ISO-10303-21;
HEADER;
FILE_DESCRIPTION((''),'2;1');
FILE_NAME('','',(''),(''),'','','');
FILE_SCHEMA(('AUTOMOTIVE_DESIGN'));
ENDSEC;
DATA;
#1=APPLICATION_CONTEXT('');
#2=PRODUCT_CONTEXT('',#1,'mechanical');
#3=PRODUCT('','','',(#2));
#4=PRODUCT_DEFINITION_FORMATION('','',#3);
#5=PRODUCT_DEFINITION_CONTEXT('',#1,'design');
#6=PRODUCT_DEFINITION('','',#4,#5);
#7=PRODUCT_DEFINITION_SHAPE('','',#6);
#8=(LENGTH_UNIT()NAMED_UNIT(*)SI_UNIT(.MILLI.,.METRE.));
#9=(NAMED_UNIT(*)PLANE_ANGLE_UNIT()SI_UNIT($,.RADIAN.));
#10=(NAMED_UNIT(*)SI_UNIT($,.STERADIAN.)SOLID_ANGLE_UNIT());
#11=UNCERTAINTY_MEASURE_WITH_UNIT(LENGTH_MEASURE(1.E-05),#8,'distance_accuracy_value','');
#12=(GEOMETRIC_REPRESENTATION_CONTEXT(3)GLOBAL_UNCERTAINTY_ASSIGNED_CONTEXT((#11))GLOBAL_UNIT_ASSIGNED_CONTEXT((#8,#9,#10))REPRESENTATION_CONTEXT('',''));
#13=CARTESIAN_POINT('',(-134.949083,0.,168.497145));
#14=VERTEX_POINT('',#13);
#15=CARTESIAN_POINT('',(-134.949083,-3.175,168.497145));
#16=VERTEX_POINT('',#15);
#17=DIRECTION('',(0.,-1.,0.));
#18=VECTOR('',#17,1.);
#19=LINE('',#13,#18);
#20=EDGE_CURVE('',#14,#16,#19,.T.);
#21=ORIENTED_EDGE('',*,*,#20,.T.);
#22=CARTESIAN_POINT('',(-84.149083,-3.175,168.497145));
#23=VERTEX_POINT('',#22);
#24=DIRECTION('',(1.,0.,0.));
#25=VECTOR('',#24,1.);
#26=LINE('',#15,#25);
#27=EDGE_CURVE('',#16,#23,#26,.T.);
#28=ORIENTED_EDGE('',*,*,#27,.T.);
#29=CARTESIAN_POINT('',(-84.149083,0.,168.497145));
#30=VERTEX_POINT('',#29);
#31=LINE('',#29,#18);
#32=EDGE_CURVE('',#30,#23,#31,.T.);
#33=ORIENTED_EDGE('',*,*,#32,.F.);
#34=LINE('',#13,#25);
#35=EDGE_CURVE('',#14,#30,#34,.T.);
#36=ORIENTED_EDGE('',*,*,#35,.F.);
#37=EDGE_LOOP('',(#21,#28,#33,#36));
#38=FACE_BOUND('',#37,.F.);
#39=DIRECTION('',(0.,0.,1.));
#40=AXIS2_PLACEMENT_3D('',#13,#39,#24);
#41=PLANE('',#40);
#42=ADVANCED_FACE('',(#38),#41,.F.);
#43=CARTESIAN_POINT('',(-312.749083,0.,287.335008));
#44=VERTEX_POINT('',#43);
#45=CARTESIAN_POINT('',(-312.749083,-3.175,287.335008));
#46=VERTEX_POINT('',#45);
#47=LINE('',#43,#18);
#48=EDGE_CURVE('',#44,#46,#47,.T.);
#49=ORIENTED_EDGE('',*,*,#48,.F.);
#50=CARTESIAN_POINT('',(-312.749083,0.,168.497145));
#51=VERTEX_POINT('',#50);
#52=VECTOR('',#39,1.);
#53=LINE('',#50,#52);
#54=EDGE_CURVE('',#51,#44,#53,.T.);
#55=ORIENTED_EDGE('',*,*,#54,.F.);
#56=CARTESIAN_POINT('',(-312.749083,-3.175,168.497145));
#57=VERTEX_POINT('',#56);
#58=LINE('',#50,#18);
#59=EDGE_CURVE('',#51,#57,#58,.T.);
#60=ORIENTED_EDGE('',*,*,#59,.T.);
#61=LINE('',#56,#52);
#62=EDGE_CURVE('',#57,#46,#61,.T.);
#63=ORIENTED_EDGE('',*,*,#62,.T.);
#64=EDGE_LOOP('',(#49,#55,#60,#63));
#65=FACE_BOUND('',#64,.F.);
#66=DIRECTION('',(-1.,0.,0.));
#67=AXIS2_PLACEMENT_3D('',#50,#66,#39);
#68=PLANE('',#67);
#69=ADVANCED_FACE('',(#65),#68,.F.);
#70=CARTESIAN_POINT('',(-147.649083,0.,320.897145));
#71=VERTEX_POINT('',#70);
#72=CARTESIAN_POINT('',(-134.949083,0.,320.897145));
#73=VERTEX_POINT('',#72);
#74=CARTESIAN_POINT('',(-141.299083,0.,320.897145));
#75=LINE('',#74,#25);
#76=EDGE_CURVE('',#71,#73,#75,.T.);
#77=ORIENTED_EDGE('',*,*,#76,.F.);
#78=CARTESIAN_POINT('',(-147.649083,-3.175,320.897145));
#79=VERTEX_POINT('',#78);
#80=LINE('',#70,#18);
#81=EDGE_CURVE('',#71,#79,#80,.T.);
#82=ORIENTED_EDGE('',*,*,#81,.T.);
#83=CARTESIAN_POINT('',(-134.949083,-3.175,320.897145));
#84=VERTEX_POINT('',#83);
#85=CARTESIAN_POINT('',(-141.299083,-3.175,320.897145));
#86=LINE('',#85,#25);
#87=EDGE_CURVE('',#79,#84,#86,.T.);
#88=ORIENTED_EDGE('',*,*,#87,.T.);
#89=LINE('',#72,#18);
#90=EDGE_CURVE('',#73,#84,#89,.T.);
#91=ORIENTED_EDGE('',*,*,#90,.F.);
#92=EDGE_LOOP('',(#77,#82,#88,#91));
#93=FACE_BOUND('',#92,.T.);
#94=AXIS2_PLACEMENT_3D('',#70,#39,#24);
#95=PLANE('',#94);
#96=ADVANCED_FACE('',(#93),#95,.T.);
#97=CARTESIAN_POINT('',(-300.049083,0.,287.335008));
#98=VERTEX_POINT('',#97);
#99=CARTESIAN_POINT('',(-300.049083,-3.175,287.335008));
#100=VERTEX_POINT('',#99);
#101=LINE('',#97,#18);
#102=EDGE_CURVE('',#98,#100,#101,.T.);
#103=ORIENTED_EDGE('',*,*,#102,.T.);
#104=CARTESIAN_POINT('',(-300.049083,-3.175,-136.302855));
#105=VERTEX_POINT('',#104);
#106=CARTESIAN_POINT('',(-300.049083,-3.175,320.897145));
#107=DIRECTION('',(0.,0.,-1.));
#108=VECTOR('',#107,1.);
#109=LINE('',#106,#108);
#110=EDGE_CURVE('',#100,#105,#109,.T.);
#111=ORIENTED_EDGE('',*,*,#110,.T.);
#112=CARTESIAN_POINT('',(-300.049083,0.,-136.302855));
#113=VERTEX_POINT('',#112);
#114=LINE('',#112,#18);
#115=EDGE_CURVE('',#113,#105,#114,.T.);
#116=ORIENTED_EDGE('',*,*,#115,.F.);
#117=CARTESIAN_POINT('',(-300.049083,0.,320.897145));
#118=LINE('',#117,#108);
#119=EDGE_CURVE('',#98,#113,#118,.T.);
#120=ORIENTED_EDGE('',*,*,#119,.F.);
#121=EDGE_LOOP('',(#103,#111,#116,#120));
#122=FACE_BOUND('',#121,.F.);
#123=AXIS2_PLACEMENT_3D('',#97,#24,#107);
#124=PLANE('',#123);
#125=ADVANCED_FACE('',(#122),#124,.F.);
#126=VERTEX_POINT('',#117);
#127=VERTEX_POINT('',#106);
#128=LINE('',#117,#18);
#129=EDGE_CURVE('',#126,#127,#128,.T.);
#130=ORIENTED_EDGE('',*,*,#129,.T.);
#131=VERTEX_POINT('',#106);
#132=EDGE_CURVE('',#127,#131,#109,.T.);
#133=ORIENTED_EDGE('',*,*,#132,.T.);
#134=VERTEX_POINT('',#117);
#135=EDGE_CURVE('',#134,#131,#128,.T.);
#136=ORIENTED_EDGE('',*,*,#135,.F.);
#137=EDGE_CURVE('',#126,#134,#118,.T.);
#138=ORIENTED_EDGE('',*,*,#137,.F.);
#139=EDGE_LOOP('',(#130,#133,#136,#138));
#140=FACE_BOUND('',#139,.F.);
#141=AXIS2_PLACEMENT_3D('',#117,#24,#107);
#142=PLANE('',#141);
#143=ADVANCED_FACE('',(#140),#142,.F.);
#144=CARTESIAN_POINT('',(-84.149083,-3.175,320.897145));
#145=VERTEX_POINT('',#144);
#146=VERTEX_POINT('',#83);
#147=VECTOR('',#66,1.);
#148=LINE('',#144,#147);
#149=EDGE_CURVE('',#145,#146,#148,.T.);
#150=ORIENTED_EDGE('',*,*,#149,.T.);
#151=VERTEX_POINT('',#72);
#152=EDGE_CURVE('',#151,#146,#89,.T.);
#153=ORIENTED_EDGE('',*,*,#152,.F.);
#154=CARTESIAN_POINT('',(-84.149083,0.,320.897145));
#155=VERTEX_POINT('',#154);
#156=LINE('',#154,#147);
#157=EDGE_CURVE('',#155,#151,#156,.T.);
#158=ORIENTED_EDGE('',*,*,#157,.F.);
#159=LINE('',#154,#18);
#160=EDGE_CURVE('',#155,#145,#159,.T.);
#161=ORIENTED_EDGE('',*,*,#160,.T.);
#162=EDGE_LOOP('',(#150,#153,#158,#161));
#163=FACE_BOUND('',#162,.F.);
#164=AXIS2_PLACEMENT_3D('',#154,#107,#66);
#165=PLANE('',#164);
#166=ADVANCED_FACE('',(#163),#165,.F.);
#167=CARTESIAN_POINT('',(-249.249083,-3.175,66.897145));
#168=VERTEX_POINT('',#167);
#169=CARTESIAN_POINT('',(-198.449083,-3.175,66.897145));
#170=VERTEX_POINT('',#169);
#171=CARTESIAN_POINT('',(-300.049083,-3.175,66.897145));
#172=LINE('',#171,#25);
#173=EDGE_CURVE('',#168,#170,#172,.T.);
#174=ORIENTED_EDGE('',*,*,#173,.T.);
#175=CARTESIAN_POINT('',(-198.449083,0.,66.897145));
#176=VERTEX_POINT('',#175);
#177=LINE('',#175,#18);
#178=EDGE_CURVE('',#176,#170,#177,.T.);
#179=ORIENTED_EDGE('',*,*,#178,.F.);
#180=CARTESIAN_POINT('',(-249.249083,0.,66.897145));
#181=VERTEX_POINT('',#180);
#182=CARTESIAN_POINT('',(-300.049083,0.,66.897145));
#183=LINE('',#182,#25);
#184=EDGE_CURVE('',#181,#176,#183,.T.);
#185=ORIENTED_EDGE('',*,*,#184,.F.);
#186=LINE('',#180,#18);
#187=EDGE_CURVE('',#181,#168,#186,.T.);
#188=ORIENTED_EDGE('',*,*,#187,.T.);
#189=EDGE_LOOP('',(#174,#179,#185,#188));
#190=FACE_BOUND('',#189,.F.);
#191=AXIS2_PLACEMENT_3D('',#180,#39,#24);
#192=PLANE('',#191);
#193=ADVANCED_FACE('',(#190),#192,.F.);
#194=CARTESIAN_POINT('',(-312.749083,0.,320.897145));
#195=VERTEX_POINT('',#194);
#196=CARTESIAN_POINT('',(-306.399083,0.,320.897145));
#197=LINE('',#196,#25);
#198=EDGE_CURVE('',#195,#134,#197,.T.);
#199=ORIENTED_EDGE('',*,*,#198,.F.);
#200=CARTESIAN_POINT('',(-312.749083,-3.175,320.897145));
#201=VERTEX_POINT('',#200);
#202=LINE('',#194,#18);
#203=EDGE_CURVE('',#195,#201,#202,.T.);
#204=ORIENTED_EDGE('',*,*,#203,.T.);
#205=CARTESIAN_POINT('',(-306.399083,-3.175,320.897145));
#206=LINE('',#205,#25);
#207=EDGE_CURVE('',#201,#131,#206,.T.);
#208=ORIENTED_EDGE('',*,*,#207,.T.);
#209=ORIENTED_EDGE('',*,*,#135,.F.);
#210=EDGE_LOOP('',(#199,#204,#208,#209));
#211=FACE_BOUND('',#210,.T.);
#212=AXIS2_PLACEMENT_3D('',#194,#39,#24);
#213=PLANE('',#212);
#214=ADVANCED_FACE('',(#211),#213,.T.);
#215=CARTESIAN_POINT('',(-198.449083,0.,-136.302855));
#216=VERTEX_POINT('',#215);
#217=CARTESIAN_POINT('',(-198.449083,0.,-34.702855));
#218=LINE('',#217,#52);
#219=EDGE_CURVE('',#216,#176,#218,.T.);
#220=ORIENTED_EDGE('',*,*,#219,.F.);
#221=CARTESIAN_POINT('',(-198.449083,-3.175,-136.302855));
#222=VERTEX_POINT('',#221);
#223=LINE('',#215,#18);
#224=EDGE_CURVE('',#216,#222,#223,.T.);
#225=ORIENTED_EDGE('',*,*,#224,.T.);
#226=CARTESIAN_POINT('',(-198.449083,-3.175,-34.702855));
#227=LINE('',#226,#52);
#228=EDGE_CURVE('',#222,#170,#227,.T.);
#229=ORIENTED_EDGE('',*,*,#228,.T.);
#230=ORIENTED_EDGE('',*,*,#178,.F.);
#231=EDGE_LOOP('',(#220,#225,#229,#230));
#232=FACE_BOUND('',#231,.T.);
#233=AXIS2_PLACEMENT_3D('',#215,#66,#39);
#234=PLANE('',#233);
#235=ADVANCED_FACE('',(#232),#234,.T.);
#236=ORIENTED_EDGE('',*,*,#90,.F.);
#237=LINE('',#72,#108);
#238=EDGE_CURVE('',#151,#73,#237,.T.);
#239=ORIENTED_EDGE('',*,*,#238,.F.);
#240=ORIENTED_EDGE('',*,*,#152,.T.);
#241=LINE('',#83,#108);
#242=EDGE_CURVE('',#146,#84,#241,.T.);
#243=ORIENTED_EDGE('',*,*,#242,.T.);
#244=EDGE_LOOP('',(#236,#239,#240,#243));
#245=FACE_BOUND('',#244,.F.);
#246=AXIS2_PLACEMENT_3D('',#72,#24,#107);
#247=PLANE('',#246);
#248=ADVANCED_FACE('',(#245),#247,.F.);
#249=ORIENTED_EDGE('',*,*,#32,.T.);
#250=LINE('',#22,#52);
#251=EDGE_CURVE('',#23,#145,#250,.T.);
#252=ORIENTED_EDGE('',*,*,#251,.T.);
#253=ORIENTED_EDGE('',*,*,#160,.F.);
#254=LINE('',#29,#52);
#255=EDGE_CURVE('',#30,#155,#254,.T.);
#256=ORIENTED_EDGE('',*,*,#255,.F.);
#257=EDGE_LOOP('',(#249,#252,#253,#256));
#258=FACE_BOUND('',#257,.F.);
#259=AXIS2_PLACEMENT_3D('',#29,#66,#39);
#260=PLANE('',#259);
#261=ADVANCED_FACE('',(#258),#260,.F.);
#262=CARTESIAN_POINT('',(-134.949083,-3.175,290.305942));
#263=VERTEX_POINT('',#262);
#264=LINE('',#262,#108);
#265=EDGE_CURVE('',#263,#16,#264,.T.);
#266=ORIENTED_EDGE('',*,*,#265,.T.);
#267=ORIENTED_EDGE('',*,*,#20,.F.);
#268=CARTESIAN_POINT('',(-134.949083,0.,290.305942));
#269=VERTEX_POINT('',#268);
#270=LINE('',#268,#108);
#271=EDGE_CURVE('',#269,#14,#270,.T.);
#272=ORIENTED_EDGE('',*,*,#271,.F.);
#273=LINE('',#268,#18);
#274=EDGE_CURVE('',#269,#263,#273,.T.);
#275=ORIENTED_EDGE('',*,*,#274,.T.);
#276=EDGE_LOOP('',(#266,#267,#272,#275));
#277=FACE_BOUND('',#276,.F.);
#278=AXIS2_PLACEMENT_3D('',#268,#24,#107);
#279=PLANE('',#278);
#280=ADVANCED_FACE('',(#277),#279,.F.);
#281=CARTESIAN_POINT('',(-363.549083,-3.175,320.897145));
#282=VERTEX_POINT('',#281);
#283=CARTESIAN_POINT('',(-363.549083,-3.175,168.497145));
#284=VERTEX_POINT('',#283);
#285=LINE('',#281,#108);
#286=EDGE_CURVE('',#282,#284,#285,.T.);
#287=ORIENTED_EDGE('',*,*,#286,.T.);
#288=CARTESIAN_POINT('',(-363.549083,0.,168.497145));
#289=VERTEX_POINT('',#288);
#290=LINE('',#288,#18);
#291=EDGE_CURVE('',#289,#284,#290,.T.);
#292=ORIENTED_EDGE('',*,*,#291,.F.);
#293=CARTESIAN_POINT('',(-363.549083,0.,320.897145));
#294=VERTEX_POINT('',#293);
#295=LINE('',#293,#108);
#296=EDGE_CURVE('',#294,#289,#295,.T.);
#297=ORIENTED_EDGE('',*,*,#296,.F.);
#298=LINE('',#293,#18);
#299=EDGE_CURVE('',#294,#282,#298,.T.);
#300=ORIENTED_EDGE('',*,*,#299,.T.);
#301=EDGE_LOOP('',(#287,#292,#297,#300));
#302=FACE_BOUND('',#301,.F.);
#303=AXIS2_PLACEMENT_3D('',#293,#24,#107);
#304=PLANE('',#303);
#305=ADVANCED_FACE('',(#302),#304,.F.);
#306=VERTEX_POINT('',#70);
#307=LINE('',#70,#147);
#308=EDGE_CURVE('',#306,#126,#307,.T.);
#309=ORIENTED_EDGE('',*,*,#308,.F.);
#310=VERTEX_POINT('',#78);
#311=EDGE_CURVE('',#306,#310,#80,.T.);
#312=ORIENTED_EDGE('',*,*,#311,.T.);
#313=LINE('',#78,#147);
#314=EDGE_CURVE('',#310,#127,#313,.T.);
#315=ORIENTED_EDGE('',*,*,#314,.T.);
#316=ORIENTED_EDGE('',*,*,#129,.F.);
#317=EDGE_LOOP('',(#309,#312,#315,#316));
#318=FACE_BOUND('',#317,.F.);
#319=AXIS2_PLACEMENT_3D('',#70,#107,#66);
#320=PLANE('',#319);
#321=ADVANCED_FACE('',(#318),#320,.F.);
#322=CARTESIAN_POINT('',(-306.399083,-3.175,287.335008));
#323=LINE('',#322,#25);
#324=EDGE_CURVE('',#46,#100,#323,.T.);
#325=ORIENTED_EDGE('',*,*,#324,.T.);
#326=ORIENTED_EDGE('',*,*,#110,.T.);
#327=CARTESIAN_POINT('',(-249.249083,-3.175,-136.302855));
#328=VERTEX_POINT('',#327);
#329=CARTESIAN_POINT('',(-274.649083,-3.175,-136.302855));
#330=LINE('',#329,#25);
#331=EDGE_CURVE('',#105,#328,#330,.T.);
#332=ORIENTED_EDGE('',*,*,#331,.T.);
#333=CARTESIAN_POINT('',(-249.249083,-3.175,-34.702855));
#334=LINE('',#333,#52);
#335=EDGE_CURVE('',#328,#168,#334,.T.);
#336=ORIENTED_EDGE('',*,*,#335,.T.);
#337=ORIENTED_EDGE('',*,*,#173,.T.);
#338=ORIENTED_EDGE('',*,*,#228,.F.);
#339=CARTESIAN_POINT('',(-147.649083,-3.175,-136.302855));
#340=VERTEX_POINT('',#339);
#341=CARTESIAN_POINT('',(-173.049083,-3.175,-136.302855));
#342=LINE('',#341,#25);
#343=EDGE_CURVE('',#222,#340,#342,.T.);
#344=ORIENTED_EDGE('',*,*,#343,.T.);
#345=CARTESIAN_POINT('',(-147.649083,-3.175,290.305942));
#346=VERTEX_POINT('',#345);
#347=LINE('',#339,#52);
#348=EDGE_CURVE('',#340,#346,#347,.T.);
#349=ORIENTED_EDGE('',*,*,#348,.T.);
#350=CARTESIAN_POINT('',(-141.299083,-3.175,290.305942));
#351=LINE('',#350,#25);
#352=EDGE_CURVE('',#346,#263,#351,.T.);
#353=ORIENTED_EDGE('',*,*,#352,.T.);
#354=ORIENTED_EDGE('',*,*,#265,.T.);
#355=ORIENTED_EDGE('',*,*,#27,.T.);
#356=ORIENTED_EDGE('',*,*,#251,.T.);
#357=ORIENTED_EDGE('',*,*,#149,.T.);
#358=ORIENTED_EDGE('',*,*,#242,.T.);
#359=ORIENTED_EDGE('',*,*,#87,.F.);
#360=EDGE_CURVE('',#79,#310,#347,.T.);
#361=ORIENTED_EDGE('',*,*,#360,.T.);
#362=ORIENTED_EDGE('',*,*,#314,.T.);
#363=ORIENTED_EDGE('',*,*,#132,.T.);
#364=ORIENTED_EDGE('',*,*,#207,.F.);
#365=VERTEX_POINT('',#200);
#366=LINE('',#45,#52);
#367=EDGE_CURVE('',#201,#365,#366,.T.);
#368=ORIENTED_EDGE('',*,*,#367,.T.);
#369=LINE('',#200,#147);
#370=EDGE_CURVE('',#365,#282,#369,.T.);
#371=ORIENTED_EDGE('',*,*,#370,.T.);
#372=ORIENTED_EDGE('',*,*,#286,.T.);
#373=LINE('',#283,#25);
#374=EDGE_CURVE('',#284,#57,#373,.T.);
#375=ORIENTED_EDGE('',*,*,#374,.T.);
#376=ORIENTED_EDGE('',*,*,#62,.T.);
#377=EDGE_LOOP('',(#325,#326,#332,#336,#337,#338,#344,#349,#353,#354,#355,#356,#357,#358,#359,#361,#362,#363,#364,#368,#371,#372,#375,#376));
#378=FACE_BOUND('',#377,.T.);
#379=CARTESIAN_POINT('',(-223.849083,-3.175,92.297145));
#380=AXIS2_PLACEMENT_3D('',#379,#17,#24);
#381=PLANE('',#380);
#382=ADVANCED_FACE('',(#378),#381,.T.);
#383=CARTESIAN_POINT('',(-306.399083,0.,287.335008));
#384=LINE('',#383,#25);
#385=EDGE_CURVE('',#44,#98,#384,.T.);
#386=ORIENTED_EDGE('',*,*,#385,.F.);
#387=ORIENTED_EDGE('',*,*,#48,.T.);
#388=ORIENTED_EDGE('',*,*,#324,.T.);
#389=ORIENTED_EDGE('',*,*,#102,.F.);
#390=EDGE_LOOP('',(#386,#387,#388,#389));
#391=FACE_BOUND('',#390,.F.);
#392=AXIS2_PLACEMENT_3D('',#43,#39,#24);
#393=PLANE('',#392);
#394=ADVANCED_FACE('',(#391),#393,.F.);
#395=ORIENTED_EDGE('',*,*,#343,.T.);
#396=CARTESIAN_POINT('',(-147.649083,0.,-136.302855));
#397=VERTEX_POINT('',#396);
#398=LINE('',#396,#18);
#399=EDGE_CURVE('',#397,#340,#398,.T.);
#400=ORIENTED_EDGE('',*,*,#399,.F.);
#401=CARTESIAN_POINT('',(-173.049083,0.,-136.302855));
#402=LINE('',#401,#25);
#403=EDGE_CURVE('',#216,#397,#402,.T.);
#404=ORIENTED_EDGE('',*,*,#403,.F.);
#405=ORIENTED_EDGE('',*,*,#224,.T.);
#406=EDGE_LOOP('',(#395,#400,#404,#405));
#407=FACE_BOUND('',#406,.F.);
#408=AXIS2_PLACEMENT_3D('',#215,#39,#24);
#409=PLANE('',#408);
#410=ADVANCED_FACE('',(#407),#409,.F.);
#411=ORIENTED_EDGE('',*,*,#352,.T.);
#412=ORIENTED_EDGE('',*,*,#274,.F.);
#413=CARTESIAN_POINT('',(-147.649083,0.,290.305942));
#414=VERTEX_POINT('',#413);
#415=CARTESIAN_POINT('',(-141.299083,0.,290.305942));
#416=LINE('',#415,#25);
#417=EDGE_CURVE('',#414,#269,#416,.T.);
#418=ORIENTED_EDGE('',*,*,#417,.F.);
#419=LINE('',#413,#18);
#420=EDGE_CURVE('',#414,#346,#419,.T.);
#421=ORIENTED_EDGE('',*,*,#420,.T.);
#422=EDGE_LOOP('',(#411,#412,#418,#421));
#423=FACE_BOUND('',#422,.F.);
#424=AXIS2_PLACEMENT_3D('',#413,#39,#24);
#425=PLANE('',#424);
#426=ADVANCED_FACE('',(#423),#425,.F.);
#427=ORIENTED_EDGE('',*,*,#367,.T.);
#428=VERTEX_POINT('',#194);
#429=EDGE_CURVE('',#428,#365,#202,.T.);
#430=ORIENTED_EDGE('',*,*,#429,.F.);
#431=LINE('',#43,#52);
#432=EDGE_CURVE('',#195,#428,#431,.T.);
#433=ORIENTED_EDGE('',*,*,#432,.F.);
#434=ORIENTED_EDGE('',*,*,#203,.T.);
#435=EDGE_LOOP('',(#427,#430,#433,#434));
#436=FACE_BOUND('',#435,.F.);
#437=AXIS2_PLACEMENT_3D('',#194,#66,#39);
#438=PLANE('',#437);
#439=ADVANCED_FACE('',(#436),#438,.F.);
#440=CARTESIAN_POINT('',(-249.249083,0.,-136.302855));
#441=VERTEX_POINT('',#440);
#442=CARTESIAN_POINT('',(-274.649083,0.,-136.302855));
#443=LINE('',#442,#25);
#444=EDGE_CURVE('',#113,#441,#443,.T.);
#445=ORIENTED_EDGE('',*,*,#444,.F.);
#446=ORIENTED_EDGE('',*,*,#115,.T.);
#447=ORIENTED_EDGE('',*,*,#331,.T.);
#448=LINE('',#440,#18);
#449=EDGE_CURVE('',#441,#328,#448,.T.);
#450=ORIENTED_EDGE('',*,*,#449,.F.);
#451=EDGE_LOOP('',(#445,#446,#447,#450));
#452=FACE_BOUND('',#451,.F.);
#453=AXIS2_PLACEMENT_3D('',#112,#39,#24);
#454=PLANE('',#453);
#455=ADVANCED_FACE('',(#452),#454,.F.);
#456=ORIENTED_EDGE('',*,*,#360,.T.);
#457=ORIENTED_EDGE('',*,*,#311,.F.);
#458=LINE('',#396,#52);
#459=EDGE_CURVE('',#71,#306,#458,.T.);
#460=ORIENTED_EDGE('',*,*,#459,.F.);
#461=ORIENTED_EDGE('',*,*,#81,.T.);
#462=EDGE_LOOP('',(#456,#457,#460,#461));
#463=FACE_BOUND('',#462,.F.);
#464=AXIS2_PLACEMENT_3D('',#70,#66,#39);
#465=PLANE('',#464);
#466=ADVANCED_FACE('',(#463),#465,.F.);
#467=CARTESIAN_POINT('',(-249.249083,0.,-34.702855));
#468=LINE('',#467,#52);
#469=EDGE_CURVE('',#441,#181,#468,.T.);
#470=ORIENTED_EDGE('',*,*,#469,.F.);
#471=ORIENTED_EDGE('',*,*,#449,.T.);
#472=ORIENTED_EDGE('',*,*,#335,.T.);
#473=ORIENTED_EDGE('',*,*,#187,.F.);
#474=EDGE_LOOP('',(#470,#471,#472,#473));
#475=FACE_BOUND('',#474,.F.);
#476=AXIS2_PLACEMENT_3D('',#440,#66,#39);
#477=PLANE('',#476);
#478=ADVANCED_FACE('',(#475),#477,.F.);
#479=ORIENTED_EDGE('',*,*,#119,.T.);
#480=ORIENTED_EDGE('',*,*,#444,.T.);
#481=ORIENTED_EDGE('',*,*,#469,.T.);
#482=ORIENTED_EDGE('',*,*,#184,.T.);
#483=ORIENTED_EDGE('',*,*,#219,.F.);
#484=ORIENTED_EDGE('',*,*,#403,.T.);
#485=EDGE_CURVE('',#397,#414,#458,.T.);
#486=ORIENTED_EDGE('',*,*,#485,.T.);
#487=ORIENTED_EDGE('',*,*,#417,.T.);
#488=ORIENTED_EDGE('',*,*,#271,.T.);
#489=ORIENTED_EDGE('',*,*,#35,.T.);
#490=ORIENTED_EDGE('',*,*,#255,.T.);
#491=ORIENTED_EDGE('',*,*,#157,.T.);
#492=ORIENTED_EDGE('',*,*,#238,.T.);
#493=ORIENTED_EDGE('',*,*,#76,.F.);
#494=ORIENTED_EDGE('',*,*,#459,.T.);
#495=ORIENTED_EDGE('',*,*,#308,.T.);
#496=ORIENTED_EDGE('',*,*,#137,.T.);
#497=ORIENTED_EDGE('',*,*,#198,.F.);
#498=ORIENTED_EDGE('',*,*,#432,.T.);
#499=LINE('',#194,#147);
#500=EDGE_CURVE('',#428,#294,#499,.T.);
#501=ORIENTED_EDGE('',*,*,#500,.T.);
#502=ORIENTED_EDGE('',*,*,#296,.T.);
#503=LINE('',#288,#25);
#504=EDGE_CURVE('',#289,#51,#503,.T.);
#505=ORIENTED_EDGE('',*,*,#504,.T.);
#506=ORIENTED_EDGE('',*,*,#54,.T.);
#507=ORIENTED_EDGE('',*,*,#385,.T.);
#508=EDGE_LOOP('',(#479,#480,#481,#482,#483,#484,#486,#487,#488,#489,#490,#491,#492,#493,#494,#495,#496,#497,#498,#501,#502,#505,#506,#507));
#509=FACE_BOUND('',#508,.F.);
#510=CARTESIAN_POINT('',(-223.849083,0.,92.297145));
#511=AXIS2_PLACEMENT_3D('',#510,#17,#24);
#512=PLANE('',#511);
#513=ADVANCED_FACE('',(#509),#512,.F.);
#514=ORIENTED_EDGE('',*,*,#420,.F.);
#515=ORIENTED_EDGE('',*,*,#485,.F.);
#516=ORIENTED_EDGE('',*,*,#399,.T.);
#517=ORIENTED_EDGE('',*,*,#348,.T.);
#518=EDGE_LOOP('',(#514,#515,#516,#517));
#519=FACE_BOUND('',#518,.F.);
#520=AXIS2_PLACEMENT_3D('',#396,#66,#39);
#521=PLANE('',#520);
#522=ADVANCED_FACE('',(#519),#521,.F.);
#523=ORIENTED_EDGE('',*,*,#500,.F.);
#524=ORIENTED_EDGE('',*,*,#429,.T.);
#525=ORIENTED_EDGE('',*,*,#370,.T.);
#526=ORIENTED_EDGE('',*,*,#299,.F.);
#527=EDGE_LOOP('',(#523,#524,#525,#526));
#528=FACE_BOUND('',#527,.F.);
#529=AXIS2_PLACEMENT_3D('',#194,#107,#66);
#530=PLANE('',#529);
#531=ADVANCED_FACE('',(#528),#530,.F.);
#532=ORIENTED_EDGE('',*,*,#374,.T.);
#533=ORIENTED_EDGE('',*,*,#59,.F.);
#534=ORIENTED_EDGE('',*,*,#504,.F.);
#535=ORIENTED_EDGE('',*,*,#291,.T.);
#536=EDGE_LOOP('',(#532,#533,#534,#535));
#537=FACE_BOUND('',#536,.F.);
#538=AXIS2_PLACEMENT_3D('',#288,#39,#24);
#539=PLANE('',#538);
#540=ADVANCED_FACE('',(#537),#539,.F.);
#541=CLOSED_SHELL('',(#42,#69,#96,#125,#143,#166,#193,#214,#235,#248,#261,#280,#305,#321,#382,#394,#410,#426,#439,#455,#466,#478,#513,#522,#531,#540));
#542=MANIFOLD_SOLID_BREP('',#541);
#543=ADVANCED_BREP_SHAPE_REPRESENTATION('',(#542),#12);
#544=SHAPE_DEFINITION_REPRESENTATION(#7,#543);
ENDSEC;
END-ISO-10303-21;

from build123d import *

# Parameters (mm, degrees)
F0_W     = 50.8
F0_H     = 203.2
F0_W_2   = 12.7
F0_H_2   = 33.562137
F0_H_3   = 30.591203
F1_DEPTH = 3.175


with BuildPart() as f1:
    # F0 (on Front) → F1 (new body)
    with BuildSketch(Plane.XZ):
        Polygon((-300.049083, 117.697145), (-300.049083, 66.897145), (-249.249083, 66.897145), (-198.449083, 66.897145), (-147.649083, 66.897145), (-147.649083, 117.697145), align=None)
        with Locations((-274.649083, -34.702855)):
            Rectangle(F0_W, F0_H)
        Polygon((-300.049083, 287.335008), (-300.049083, 117.697145), (-147.649083, 117.697145), (-147.649083, 290.305942), (-147.649083, 320.897145), (-300.049083, 320.897145), align=None)
        with Locations((-173.049083, -34.702855)):
            Rectangle(F0_W, F0_H)
        with Locations((-306.399083, 304.116076)):
            Rectangle(F0_W_2, F0_H_2)
        with Locations((-141.299083, 305.601543)):
            Rectangle(F0_W_2, F0_H_3)
        Polygon((-312.749083, 168.497145), (-312.749083, 287.335008), (-312.749083, 320.897145), (-363.549083, 320.897145), (-363.549083, 168.497145), align=None)
        Polygon((-134.949083, 320.897145), (-134.949083, 290.305942), (-134.949083, 168.497145), (-84.149083, 168.497145), (-84.149083, 320.897145), align=None)
    extrude(amount=F1_DEPTH)


solid = f1.part
